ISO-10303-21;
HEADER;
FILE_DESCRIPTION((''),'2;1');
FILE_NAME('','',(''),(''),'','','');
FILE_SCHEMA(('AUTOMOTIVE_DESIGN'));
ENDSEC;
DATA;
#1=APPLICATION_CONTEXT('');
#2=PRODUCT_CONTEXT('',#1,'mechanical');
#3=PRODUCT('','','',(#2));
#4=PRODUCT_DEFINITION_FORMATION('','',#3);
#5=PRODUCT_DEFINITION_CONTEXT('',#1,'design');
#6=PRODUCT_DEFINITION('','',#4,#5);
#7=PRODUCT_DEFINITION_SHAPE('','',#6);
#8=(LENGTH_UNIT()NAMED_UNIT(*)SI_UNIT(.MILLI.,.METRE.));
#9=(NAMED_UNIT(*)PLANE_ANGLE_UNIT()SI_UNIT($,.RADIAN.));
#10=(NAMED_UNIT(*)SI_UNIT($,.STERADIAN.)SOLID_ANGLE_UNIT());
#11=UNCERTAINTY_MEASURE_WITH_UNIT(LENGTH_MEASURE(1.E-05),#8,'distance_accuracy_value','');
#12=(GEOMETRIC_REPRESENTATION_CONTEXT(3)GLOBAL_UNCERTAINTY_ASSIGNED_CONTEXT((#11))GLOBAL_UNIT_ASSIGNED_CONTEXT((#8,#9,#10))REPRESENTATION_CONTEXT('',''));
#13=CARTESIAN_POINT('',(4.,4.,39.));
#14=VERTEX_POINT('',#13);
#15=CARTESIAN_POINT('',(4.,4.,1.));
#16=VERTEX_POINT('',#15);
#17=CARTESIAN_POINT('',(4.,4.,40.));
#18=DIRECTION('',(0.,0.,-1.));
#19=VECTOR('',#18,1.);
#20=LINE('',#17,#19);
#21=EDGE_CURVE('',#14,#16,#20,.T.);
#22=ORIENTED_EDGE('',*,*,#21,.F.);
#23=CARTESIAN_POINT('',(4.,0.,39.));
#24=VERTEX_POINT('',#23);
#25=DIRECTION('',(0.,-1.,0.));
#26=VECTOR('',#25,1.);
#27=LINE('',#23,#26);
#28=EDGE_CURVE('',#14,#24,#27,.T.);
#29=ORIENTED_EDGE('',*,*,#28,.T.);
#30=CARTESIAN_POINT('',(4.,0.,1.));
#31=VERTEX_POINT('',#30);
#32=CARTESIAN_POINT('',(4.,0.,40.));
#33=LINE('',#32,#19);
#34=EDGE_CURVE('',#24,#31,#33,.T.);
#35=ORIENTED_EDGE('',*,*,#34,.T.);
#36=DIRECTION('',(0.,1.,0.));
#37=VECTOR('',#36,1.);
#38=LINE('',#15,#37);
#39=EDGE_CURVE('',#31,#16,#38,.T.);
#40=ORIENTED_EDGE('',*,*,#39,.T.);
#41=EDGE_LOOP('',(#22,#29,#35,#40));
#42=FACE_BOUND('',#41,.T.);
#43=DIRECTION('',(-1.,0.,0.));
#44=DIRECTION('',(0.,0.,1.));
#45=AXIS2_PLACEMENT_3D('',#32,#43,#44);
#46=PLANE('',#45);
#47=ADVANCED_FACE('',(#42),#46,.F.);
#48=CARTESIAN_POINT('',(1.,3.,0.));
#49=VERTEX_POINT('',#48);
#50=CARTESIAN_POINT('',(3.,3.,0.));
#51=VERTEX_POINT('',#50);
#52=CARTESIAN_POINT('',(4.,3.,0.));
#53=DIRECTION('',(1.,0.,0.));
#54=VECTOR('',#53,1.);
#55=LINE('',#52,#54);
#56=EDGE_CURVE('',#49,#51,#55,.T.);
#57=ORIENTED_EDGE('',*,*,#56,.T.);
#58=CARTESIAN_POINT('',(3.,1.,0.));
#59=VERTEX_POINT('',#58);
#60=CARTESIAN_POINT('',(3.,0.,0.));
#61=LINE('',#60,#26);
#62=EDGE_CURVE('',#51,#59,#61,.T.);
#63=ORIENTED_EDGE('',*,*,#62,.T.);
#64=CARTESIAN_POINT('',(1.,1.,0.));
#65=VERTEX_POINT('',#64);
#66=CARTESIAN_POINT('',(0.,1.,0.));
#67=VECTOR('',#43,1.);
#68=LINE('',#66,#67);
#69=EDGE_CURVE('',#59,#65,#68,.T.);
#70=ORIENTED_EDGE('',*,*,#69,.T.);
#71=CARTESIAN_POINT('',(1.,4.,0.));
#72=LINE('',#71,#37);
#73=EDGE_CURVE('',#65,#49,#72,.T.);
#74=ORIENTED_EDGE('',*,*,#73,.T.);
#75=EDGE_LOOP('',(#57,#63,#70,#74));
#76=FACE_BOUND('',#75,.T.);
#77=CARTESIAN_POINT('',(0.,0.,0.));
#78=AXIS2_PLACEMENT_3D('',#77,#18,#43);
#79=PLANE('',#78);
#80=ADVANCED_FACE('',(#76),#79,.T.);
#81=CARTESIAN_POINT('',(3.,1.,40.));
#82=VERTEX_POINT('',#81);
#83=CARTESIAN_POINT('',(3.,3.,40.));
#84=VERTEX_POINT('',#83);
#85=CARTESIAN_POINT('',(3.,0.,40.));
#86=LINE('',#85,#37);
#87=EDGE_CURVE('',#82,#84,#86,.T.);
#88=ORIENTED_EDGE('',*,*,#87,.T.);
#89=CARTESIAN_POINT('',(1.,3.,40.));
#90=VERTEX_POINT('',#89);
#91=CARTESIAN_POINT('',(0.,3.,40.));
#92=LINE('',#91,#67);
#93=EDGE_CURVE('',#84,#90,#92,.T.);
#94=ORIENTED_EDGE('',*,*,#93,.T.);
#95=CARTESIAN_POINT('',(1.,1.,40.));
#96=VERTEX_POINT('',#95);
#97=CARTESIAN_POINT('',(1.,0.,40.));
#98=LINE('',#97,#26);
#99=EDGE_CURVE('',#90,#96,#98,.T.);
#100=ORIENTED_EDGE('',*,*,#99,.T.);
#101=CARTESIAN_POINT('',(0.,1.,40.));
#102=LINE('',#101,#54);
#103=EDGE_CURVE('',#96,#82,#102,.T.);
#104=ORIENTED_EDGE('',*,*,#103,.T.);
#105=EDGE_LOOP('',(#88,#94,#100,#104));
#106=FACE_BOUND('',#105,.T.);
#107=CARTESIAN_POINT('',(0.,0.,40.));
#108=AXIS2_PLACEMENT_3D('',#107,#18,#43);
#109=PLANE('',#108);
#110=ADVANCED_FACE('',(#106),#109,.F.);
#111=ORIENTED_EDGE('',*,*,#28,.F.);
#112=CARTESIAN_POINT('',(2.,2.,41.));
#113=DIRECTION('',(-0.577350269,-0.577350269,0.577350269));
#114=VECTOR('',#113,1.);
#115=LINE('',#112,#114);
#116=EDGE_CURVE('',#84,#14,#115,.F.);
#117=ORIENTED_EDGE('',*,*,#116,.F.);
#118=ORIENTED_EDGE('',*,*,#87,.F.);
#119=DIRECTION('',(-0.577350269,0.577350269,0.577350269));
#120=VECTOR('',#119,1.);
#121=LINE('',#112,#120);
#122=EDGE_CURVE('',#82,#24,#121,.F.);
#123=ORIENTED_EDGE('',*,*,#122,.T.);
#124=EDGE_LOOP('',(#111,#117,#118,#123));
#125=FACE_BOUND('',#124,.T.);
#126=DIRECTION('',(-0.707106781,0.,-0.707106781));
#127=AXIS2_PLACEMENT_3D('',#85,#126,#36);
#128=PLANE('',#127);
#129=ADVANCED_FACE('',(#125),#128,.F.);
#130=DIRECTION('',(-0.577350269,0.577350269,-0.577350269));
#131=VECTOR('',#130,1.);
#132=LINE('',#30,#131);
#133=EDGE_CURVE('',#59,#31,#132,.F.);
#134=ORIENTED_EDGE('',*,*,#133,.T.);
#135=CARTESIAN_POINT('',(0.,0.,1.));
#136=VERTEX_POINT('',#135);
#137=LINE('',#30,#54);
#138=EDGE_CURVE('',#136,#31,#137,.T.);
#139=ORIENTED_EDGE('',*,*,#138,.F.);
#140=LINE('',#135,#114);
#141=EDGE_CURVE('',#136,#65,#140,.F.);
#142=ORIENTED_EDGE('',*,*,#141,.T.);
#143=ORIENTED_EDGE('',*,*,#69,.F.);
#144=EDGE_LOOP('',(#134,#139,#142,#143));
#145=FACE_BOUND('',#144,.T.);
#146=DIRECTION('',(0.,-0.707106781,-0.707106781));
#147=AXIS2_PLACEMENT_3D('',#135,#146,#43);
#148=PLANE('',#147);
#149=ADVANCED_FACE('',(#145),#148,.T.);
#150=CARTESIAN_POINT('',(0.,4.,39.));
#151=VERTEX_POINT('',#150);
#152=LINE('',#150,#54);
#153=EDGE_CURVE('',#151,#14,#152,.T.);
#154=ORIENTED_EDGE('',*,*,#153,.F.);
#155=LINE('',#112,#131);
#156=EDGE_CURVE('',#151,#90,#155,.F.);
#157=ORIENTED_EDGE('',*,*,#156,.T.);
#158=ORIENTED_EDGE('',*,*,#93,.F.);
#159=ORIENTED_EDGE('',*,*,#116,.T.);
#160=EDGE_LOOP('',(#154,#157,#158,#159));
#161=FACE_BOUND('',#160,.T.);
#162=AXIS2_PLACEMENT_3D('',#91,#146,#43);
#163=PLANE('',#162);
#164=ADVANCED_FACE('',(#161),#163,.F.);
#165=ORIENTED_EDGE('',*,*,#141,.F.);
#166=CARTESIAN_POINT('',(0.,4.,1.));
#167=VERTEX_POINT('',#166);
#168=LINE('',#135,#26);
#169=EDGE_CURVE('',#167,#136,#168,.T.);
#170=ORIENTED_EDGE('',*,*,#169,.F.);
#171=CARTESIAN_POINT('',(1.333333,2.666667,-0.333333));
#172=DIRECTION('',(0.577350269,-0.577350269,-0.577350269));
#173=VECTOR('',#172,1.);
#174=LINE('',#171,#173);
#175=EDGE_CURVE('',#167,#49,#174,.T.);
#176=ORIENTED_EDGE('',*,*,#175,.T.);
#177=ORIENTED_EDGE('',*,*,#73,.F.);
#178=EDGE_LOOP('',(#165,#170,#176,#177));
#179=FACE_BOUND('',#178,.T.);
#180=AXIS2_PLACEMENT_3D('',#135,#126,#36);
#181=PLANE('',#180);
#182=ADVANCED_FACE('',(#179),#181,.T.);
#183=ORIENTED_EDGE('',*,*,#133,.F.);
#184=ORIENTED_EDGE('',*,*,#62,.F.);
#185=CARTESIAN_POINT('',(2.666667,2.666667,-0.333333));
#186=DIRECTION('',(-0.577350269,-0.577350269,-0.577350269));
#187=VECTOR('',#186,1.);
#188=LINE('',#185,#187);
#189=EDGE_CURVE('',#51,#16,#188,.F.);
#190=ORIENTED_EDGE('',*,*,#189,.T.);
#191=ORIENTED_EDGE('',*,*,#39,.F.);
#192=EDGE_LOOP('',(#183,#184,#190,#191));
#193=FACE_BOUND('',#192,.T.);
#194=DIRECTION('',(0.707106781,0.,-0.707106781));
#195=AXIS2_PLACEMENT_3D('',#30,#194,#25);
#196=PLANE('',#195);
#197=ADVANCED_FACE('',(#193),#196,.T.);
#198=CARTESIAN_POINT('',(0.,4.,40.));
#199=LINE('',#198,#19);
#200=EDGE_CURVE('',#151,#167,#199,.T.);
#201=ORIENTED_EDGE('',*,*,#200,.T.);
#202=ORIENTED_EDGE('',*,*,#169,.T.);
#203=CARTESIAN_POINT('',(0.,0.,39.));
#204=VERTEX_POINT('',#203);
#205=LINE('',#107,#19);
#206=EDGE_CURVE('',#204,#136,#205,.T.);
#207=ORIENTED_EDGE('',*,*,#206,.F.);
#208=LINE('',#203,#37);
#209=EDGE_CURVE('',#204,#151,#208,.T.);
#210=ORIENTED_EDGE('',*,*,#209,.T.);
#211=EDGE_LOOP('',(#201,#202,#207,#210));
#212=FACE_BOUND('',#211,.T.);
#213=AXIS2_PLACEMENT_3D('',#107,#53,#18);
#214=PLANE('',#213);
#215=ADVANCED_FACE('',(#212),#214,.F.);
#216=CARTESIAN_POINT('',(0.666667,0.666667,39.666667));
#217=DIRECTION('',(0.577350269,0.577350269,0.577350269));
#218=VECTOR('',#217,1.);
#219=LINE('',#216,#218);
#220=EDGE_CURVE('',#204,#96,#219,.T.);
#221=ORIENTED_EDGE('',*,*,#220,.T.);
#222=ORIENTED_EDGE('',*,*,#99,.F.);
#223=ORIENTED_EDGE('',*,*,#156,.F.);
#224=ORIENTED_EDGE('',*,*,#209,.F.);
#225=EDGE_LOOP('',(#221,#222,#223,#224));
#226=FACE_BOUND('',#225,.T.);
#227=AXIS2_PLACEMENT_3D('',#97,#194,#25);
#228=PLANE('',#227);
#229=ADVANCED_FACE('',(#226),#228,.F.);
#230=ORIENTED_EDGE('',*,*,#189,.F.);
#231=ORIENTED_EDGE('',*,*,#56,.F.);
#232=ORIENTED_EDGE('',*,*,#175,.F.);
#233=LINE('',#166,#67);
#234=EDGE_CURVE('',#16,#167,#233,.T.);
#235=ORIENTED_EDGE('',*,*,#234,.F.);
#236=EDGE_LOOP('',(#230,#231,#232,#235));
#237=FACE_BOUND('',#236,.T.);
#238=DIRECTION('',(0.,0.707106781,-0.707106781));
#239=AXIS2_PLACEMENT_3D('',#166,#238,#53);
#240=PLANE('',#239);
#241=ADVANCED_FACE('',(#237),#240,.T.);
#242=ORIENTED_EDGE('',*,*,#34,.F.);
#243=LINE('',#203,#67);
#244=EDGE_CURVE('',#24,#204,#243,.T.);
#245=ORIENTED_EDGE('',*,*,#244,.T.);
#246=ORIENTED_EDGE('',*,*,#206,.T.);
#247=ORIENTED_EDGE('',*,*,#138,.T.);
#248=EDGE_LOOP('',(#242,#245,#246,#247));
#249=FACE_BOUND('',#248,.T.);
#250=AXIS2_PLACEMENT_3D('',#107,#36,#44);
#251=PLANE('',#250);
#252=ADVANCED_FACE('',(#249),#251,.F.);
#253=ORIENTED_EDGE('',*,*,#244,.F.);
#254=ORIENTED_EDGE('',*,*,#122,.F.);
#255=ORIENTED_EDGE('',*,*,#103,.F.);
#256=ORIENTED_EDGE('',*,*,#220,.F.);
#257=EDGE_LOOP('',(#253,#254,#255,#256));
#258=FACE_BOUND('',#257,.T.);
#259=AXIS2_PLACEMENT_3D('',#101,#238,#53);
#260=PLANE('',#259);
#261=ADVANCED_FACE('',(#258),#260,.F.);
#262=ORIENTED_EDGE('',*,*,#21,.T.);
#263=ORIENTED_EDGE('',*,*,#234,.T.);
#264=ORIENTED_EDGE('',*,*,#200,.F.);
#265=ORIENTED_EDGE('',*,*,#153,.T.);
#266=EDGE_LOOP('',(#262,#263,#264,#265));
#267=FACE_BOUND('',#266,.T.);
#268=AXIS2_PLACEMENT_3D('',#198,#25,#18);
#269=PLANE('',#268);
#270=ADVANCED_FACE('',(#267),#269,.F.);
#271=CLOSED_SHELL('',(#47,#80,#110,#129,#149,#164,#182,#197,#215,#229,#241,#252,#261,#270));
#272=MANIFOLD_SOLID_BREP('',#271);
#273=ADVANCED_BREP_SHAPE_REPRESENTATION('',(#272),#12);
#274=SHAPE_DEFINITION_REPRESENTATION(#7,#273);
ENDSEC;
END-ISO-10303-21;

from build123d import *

# Parameters (mm, degrees)
ESQUISSE1_W        = 4
ESQUISSE1_H        = 4
BOSS_EXTRU_1_DEPTH = 40
CHANFREIN1_SIZE    = 1


with BuildPart() as part:
    # Esquisse1 → Boss.-Extru.1 (new body)
    with BuildSketch(Plane.XY):
        with Locations((2, 2)):
            Rectangle(ESQUISSE1_W, ESQUISSE1_H)
    extrude(amount=BOSS_EXTRU_1_DEPTH)

    # Chanfrein1
    chanfrein1_edges = [part.edges().sort_by_distance(p)[0] for p in [
        (4, 2, 40),
        (2, 4, 40),
        (0, 2, 40),
        (2, 4, 0),
        (4, 2, 0),
        (2, 0, 0),
        (0, 2, 0),
        (2, 0, 40),
    ]]
    chamfer(chanfrein1_edges, length=CHANFREIN1_SIZE)


solid = part.part
